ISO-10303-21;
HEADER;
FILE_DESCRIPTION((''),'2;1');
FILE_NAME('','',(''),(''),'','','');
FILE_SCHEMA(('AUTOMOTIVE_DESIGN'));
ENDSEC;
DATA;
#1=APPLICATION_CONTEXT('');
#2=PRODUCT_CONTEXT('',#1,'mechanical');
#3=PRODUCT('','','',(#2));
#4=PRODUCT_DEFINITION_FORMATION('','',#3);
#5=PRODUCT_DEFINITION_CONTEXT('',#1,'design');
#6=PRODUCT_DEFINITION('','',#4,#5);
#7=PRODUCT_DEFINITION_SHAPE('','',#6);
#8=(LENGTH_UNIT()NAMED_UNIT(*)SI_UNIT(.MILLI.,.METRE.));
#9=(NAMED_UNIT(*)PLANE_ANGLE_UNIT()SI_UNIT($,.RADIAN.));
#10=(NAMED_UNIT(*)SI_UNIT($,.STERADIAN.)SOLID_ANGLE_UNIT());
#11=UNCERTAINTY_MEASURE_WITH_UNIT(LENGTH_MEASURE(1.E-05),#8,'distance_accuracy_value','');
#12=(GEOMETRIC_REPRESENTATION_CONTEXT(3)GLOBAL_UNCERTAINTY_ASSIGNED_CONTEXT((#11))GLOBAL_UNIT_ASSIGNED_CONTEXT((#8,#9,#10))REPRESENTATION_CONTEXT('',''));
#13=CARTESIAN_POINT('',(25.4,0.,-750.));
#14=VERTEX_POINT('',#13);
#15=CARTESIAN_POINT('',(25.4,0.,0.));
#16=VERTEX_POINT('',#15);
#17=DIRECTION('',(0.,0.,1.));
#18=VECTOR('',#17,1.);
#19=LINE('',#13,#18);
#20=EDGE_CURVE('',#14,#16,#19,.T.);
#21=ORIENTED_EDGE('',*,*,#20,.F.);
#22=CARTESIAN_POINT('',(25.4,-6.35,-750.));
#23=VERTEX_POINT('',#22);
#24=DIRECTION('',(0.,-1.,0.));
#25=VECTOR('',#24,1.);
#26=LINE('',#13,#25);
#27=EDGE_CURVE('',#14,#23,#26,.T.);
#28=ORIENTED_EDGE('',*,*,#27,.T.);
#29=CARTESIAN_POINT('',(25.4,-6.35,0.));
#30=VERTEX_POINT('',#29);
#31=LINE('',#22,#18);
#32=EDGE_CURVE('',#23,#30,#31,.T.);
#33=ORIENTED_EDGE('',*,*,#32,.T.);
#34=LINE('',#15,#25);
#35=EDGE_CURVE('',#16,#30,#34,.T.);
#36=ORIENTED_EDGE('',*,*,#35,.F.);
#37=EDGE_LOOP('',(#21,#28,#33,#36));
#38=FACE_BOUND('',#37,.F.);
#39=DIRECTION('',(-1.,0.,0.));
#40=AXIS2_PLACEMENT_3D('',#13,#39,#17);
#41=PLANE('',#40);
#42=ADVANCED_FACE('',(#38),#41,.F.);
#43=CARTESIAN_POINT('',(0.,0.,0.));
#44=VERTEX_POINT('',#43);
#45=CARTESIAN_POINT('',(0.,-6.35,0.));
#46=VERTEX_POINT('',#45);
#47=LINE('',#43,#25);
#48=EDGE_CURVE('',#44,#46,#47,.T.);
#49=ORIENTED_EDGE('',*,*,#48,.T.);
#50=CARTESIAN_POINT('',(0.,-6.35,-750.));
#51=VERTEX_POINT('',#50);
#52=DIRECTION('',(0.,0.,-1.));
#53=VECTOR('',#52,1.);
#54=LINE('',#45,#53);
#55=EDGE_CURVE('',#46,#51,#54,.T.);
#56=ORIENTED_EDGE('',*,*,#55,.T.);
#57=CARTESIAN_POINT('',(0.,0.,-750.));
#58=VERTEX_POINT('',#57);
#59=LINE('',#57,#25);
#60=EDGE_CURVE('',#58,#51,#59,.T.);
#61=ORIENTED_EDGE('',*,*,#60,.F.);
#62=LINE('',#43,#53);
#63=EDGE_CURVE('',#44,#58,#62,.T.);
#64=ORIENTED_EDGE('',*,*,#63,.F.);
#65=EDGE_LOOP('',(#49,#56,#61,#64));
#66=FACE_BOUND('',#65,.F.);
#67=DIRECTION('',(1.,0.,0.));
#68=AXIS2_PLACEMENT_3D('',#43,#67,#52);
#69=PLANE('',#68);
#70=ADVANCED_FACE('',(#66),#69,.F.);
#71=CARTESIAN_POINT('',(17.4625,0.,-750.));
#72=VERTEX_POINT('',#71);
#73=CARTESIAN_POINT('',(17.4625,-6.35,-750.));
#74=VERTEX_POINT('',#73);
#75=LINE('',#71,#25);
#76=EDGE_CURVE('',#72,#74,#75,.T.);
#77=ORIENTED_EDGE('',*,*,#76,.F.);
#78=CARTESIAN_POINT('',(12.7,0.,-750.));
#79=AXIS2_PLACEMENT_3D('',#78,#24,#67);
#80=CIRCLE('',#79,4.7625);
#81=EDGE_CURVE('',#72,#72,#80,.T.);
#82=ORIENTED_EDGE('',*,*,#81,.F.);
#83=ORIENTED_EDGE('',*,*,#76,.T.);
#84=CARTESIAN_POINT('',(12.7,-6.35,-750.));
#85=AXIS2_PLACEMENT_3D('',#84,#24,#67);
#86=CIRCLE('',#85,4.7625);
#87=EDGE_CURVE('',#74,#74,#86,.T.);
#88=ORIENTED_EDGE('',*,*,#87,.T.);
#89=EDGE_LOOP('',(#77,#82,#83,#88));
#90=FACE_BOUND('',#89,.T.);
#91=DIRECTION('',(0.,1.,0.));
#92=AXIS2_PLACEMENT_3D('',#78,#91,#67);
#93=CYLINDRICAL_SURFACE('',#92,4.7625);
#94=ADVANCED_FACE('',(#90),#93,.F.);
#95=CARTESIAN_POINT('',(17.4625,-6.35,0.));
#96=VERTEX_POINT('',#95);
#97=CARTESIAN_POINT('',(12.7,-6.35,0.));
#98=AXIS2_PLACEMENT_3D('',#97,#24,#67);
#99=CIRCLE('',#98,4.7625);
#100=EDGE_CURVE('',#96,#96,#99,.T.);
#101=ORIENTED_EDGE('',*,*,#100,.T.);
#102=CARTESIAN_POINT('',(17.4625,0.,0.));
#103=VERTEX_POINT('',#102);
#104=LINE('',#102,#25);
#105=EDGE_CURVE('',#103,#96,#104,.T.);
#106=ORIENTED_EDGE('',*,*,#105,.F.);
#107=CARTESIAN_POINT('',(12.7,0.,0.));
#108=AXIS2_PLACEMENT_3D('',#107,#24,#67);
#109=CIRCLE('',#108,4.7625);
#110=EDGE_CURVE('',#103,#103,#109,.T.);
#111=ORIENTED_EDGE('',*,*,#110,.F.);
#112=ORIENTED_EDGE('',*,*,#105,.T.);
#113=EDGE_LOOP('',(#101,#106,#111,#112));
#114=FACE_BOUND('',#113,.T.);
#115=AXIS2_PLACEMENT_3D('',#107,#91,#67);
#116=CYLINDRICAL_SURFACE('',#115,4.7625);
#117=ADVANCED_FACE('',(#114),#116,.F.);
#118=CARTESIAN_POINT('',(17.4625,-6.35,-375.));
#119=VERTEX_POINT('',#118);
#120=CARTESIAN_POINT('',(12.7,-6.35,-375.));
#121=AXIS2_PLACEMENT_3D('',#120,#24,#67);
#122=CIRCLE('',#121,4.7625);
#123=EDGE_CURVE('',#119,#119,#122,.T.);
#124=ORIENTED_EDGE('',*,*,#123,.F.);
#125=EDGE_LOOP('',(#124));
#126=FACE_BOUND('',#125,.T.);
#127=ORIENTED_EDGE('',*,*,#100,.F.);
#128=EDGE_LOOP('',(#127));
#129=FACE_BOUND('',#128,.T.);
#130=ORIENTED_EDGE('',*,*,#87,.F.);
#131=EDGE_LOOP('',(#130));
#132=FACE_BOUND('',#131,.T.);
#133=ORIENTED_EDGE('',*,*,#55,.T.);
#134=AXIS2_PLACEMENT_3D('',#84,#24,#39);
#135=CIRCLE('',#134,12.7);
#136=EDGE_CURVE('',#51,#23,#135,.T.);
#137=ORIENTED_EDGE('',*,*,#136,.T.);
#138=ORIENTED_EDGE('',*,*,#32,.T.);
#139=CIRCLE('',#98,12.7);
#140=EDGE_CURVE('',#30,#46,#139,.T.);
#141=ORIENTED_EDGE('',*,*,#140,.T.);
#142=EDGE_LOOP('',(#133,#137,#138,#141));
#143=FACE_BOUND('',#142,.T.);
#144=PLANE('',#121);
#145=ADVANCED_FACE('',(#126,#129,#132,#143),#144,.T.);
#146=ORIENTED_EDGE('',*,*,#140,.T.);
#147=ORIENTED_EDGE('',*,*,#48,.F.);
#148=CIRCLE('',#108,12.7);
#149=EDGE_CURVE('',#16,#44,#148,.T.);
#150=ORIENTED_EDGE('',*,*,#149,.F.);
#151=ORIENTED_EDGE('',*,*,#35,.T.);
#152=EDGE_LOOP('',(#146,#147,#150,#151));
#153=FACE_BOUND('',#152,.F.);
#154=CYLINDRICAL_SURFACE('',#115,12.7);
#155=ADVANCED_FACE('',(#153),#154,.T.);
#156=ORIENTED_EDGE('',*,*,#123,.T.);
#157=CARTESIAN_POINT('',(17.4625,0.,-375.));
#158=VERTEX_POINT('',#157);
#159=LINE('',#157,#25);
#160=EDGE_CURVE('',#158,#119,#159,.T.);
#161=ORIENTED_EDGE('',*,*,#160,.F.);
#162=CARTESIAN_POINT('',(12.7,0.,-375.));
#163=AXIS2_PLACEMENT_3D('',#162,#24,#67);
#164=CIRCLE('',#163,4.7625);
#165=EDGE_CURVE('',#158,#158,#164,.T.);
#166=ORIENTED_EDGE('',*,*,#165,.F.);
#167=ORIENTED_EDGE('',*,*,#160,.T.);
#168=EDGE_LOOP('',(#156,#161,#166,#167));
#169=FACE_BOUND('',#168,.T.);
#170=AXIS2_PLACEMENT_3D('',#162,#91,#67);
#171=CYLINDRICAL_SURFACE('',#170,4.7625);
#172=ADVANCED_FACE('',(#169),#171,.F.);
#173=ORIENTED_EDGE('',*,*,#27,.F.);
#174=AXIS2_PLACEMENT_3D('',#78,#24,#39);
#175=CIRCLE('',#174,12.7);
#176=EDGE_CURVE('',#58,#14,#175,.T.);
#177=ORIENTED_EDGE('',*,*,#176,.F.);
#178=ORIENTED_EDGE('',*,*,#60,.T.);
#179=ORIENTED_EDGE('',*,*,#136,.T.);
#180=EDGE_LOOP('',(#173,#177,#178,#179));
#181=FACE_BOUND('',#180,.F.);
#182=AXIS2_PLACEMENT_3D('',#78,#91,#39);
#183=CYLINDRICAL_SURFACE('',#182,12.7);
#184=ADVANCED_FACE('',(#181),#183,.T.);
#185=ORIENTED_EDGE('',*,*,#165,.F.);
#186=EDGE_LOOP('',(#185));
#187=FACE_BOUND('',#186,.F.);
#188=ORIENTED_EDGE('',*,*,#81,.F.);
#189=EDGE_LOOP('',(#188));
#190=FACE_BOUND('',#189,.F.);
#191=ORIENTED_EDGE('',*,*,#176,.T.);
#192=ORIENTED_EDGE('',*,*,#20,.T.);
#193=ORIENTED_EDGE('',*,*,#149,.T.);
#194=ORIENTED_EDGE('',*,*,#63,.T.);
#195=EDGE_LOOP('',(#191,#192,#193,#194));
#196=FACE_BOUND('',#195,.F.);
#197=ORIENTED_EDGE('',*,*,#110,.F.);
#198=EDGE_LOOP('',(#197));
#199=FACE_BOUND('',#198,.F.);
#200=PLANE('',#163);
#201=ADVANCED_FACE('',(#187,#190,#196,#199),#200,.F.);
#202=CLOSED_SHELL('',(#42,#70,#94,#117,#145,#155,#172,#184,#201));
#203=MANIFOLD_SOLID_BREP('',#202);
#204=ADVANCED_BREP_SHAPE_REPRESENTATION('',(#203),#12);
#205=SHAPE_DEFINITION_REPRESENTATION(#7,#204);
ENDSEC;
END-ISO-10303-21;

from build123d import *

# Parameters (mm, degrees)
F0_R     = 4.7625
F1_DEPTH = 6.35


with BuildPart() as f1:
    # F0 (on Front) → F1 (new body)
    with BuildSketch(Plane.XZ):
        with BuildLine():
            ThreePointArc((25.4, 0), (12.7, 12.7), (0, 0))
            Line((0, 0), (0, -750))
            ThreePointArc((0, -750), (12.7, -762.7), (25.4, -750))
            Line((25.4, -750), (25.4, 0))
        make_face()
        with Locations((12.7, -750)):
            Circle(F0_R, mode=Mode.SUBTRACT)
        with Locations((12.7, -375)):
            Circle(F0_R, mode=Mode.SUBTRACT)
        with Locations((12.7, 0)):
            Circle(F0_R, mode=Mode.SUBTRACT)
    extrude(amount=F1_DEPTH)


solid = f1.part
